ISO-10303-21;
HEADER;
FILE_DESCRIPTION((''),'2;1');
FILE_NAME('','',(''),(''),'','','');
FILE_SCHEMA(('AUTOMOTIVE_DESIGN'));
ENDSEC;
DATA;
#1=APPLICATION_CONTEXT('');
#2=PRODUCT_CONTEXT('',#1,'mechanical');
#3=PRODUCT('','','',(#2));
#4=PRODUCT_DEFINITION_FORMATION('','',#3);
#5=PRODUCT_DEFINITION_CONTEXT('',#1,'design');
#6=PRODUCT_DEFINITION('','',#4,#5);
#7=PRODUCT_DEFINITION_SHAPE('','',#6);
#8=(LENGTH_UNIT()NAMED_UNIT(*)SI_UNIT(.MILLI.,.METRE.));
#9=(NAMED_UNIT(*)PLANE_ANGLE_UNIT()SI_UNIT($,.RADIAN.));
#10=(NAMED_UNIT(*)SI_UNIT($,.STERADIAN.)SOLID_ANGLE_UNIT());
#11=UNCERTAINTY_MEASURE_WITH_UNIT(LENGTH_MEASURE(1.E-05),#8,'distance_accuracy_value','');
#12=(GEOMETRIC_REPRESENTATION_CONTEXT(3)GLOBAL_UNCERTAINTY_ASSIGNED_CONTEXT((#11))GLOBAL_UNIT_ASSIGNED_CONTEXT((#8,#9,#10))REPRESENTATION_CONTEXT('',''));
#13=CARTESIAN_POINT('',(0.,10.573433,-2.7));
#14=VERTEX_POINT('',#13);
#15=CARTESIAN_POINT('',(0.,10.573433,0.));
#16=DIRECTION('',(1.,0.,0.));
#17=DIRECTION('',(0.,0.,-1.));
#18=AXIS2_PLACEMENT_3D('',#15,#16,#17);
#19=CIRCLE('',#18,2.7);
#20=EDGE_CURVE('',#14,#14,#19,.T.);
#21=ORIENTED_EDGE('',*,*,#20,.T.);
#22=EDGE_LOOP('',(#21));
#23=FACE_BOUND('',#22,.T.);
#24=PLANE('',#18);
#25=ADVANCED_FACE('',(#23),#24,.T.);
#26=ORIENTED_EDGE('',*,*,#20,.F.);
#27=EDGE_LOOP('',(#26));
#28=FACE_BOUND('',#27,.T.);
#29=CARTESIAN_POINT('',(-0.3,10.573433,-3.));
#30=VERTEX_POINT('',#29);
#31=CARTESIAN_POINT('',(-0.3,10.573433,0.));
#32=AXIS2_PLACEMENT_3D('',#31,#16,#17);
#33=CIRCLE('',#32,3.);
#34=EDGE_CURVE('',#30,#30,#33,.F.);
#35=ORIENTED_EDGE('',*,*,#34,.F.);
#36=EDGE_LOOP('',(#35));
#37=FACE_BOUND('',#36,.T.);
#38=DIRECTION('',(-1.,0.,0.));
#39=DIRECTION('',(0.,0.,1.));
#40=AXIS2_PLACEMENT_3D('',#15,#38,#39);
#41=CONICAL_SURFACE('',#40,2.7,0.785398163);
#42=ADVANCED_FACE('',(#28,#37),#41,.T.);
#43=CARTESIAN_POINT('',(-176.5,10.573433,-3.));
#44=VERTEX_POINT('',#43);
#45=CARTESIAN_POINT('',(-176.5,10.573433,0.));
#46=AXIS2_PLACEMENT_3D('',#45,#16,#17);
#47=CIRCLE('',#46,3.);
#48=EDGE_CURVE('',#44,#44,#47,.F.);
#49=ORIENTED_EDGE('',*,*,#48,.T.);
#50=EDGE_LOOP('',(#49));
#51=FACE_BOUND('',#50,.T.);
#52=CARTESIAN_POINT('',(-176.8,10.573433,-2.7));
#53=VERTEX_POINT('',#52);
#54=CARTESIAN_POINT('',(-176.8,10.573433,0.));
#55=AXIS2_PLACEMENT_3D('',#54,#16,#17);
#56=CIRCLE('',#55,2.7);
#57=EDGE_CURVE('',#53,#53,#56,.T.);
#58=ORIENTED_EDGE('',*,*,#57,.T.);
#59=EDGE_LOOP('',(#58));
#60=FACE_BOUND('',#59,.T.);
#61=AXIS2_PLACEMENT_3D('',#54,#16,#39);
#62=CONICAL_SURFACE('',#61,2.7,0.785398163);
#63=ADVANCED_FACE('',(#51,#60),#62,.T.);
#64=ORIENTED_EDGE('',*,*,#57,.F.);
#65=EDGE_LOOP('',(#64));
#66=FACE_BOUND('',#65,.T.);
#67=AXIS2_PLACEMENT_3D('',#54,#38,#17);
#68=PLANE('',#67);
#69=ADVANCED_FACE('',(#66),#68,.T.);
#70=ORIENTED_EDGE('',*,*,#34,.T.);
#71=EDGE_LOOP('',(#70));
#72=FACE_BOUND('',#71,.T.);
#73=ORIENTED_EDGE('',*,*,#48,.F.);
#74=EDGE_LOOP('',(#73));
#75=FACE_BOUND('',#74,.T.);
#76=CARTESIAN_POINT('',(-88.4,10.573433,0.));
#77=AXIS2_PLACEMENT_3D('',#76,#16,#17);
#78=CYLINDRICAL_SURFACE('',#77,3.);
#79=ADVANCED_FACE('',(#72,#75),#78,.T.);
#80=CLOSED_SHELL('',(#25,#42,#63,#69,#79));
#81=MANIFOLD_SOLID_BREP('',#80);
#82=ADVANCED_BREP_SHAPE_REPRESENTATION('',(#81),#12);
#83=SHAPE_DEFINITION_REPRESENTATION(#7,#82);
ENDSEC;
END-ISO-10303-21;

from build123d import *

# Parameters (mm, degrees)
SKETCH2_R                = 3
BOSS_EXTRUDE1_DEPTH      = 88.4
CHAMFER1_SIZE            = 0.3
CHAMFER1_OF_MIRROR1_SIZE = 0.3


with BuildPart() as part:
    # Sketch2 → Boss-Extrude1 (new body)
    with BuildSketch(Plane(origin=(0, 0, 0), x_dir=(0, 0, -1), z_dir=(1, 0, 0))):
        with Locations((0, 10.573433301)):
            Circle(SKETCH2_R)
    boss_extrude1 = extrude(amount=-BOSS_EXTRUDE1_DEPTH)

    # Chamfer1
    chamfer1_edges = [part.edges().sort_by_distance(p)[0] for p in [
        (0, 10.573433301, 3),
    ]]
    chamfer(chamfer1_edges, length=CHAMFER1_SIZE)

    # Mirror1: Boss-Extrude1 across plane
    add(boss_extrude1.mirror(Plane(origin=(-88.4, 10.573433301, 0), x_dir=(0, 0, 1), z_dir=(1, 0, 0))))

    # Chamfer1 of Mirror1
    chamfer1_of_mirror1_edges = [part.edges().sort_by_distance(p)[0] for p in [
        (-176.8, 10.573433301, 3),
    ]]
    chamfer(chamfer1_of_mirror1_edges, length=CHAMFER1_OF_MIRROR1_SIZE)


solid = part.part
